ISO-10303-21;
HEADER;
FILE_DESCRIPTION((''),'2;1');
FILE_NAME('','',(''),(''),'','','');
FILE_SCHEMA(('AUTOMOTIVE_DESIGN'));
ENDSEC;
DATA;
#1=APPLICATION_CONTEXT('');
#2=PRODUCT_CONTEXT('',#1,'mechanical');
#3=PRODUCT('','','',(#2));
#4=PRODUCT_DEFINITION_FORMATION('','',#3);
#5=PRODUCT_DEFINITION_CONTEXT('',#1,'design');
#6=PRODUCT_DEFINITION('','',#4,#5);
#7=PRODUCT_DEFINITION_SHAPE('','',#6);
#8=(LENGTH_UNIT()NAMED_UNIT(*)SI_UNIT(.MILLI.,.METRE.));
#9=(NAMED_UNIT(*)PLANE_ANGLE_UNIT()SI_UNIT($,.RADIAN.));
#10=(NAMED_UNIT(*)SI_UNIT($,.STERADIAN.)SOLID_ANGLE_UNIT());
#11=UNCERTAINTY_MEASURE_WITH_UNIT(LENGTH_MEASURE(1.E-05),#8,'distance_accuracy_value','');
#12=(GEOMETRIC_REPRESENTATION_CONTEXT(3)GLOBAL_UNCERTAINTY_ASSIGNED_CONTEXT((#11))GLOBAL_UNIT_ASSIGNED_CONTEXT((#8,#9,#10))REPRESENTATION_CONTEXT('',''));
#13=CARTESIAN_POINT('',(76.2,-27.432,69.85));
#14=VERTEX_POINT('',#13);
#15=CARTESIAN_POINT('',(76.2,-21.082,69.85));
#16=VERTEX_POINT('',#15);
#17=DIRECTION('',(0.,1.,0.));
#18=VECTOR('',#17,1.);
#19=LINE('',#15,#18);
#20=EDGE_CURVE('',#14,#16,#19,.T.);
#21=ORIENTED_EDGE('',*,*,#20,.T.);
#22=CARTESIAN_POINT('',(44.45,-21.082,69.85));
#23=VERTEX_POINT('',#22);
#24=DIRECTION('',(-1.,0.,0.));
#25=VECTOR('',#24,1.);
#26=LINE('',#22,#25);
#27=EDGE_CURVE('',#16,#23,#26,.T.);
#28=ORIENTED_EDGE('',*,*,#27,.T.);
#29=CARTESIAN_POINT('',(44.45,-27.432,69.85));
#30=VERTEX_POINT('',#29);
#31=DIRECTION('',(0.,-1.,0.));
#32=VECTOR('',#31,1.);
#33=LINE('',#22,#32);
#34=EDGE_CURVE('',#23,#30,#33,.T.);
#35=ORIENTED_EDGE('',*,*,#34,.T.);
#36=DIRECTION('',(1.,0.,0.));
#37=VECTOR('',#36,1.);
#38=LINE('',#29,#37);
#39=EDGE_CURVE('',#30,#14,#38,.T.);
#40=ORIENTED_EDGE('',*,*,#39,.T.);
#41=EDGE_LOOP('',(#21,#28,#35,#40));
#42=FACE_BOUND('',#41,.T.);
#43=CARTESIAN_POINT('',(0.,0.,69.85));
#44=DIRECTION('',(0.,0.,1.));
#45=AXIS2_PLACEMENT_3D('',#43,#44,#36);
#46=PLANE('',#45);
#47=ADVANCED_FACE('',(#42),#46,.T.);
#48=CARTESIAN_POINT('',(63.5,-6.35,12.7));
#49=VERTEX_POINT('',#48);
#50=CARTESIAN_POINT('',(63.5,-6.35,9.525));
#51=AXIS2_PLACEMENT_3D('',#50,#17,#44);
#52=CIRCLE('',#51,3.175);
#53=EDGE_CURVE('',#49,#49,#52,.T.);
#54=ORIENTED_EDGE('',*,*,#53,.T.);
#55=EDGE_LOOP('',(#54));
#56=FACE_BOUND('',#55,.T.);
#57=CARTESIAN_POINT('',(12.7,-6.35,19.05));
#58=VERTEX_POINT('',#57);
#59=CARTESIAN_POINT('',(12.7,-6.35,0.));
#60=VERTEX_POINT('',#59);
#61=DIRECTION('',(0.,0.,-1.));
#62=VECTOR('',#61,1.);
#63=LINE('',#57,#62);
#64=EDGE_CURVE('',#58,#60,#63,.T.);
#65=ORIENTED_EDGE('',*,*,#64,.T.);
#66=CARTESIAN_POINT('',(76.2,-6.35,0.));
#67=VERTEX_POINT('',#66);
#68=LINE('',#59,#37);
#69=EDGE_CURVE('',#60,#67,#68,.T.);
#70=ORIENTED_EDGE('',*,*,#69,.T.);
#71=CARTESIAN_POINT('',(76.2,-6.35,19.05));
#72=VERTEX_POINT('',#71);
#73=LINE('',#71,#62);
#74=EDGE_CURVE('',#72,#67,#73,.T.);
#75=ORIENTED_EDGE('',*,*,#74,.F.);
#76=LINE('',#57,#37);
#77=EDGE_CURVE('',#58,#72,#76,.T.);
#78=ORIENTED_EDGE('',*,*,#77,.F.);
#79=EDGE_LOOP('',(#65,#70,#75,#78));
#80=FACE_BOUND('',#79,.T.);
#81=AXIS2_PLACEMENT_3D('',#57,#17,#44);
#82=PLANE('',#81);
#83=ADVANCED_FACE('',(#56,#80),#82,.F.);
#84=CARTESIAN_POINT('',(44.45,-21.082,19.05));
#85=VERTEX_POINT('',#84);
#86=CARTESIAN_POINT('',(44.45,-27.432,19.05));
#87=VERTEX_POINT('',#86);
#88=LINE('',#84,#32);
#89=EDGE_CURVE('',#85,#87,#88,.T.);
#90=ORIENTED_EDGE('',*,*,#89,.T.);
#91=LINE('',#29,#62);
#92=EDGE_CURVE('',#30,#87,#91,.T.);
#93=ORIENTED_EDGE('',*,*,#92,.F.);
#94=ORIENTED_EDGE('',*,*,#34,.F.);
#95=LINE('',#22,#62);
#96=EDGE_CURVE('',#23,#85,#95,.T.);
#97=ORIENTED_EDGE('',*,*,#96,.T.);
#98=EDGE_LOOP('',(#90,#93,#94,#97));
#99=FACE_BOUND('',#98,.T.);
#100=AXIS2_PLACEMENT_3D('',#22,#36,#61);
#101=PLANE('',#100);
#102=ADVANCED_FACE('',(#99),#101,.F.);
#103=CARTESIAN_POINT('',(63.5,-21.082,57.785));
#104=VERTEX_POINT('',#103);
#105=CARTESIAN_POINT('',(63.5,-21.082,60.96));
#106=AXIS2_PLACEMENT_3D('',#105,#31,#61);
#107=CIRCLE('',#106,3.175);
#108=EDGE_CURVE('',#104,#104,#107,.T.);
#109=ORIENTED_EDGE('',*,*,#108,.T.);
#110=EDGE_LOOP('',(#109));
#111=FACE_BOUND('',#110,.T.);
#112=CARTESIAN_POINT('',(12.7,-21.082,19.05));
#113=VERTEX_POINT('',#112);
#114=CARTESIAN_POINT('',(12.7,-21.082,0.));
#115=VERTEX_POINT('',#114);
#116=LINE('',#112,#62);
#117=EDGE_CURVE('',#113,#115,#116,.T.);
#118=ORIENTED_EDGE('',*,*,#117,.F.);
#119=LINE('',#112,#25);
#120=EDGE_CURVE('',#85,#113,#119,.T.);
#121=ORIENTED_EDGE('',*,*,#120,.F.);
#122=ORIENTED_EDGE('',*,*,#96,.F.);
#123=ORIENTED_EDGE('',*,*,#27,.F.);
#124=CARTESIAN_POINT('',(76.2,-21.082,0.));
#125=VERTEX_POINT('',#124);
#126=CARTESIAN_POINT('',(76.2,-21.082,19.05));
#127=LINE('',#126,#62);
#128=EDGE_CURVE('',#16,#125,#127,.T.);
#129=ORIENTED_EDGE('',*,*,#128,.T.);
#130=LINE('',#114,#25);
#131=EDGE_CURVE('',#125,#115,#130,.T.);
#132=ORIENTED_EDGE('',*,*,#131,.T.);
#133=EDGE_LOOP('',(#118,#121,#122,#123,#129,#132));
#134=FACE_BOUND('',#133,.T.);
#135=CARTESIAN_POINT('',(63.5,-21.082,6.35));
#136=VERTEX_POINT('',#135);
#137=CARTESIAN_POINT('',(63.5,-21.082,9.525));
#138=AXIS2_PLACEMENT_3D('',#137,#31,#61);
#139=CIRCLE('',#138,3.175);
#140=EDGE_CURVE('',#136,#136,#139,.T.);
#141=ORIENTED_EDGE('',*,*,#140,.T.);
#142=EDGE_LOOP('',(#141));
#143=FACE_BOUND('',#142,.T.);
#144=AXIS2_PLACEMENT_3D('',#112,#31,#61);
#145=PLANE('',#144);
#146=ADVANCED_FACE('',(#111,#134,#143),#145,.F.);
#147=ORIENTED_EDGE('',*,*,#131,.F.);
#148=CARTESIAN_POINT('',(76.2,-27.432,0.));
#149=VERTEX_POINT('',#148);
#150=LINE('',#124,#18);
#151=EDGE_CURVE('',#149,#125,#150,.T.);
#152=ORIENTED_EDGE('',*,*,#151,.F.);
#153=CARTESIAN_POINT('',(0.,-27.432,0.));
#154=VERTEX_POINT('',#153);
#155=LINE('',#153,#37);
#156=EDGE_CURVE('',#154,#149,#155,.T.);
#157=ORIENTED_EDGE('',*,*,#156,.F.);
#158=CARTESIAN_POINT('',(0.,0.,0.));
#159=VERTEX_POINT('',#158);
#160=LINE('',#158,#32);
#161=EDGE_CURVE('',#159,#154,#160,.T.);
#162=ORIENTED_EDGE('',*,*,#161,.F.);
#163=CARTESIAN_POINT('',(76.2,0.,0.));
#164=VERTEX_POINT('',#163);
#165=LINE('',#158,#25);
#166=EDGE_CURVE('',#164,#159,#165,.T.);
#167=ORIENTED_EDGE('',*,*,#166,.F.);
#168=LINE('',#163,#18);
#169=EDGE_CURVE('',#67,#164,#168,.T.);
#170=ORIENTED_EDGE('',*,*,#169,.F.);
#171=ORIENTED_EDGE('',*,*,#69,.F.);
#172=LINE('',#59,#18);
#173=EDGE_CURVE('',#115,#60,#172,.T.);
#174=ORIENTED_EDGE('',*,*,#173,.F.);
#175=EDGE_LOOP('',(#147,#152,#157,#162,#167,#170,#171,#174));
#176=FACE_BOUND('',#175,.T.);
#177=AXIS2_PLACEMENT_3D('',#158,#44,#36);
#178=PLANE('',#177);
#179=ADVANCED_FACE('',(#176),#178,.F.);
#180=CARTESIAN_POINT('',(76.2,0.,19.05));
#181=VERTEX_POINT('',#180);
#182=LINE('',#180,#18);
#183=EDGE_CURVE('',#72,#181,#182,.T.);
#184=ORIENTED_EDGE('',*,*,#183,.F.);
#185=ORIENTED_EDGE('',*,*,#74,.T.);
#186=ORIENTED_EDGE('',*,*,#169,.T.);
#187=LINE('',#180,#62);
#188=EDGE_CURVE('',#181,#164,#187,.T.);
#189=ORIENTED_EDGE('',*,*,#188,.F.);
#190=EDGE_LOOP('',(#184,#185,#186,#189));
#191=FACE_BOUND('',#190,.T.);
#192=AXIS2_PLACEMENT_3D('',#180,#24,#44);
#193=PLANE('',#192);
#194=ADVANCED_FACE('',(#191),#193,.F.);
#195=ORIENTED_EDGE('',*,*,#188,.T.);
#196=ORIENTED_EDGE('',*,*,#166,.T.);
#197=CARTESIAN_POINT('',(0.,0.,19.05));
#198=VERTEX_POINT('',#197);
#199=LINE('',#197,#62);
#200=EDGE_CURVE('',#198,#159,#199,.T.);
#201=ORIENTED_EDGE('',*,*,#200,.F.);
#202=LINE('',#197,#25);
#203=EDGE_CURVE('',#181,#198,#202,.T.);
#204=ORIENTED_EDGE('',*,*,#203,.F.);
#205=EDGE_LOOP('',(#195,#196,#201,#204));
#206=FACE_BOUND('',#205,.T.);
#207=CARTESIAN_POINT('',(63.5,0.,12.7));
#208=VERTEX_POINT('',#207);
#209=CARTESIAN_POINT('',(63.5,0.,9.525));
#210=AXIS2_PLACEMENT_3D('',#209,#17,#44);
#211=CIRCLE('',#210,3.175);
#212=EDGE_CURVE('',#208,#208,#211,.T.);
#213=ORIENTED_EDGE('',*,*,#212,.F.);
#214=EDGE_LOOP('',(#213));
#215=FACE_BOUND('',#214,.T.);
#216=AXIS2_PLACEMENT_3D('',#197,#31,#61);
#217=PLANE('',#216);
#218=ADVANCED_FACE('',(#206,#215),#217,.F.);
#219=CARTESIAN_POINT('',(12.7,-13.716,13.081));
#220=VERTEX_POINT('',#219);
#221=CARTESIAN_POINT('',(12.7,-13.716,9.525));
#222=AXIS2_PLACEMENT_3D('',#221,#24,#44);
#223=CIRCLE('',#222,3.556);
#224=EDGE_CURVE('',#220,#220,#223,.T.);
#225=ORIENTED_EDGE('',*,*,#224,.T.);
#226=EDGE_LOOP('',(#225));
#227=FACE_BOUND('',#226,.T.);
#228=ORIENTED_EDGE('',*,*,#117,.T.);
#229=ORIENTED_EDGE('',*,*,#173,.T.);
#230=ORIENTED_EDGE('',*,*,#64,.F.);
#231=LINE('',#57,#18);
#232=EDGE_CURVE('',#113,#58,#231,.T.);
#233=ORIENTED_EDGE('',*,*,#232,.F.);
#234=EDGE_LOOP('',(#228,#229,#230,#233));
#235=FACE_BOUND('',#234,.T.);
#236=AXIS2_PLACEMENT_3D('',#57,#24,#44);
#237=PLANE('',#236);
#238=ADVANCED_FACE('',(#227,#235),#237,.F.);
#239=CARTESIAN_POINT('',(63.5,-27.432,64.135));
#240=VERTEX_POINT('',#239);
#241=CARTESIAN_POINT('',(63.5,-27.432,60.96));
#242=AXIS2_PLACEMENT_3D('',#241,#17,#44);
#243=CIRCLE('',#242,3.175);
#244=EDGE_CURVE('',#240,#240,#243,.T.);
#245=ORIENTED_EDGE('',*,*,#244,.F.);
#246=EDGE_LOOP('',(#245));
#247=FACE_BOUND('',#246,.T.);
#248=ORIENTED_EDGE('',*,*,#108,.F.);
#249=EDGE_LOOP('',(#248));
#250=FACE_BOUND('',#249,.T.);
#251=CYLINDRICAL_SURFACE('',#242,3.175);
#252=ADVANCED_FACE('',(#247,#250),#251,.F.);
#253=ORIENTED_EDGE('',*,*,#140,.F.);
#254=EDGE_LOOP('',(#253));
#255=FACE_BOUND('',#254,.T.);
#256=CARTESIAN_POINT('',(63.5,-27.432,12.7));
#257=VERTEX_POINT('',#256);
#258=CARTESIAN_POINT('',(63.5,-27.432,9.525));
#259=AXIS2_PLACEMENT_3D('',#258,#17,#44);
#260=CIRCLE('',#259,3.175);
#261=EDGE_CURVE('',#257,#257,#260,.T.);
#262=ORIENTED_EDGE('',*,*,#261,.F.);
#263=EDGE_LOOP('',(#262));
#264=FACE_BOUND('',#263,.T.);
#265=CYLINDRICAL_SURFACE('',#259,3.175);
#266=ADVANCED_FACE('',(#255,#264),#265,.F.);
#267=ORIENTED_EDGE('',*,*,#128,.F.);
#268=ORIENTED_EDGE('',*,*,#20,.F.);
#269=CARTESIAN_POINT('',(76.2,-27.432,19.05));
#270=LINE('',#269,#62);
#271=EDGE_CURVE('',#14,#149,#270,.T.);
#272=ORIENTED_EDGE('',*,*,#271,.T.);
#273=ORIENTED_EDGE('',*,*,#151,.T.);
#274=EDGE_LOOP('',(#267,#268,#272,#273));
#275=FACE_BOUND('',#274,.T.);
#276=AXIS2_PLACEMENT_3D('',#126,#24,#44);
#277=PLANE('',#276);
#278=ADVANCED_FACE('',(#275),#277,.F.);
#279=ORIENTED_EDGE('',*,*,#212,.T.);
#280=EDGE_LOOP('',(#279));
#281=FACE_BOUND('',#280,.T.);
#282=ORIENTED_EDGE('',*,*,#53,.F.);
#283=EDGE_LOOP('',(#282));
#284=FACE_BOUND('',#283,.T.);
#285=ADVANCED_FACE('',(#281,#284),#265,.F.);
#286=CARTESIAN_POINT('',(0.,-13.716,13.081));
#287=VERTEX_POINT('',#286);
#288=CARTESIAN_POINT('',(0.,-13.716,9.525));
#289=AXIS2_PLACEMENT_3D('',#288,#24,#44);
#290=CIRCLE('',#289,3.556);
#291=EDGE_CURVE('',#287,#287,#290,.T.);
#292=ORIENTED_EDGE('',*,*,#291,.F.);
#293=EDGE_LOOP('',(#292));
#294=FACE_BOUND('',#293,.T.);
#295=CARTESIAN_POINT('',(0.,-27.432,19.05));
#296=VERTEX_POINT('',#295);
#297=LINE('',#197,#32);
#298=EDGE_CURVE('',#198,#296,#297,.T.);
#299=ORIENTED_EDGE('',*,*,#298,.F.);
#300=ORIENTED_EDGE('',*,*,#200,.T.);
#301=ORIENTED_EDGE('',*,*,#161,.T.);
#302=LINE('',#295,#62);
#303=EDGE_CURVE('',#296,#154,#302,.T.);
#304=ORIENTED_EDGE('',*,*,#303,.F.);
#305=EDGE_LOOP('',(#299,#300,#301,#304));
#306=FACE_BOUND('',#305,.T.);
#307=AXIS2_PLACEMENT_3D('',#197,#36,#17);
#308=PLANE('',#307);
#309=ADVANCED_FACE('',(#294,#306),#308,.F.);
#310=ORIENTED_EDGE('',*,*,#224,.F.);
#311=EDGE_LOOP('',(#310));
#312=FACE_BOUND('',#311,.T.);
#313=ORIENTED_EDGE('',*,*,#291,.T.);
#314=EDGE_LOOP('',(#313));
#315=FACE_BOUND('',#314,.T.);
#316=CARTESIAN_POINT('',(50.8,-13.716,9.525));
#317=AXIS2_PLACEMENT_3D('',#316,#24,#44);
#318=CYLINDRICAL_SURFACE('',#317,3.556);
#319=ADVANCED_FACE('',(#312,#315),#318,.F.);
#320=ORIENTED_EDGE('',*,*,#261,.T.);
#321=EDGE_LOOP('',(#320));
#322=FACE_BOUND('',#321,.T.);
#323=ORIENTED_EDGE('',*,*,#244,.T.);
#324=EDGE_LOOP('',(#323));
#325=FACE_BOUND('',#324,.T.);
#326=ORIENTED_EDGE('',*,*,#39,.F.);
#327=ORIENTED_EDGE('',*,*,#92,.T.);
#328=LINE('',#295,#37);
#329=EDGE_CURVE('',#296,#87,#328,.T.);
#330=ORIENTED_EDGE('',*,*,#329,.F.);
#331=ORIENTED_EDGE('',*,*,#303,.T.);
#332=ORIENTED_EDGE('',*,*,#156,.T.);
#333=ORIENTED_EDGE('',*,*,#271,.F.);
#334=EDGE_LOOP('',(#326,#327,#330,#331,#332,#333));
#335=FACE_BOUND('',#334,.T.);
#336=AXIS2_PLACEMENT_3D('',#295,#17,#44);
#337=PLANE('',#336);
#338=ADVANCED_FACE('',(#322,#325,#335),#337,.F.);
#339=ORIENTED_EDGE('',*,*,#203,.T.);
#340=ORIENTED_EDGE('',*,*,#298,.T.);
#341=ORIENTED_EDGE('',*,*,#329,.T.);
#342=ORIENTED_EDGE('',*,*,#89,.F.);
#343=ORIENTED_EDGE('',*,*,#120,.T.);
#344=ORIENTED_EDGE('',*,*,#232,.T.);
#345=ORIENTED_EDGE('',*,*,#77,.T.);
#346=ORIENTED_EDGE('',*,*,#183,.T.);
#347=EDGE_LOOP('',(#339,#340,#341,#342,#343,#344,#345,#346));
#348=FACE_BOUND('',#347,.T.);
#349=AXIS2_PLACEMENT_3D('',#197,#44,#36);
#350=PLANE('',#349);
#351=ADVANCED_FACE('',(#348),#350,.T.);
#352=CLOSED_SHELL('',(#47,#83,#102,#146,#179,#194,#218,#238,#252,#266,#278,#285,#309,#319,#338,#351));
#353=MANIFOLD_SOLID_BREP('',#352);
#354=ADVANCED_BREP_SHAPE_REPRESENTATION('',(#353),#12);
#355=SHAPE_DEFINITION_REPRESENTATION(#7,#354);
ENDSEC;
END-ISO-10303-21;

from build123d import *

# Parameters (mm, degrees)
BOSS_EXTRUDE1_DEPTH     = 19.05
SKETCH2_W               = 31.75
SKETCH2_H               = 6.35
BOSS_EXTRUDE2_DEPTH     = 50.8
CUT_EXTRUDE1_DEPTH      = 106.498403893
CUT_EXTRUDE1_DEPTH_BACK = 106.498403893
SKETCH3_R               = 3.175
SKETCH4_R               = 3.556
CUT_EXTRUDE2_DEPTH      = 50.8


with BuildPart() as part:
    # Sketch1 → Boss-Extrude1 (new body)
    with BuildSketch(Plane.XY):
        Polygon((0, 0), (76.2, 0), (76.2, -6.35), (12.7, -6.35), (12.7, -21.082), (76.2, -21.082), (76.2, -27.432), (0, -27.432), align=None)
    extrude(amount=BOSS_EXTRUDE1_DEPTH)

    # Sketch2 → Boss-Extrude2 (add)
    with BuildSketch(Plane.XY.offset(19.05)):
        with Locations((60.325, -24.257)):
            Rectangle(SKETCH2_W, SKETCH2_H)
    extrude(amount=BOSS_EXTRUDE2_DEPTH)

    # Sketch3 → Cut-Extrude1 (cut, two sides: drawn at the far end of the back side and taken through both)
    with BuildSketch(Plane(origin=(0, -21.082, 0), x_dir=(1, 0, 0), z_dir=(0, 1, 0)).offset(-CUT_EXTRUDE1_DEPTH_BACK)):
        with Locations(Location((63.5, -60.96, 0), (0, 0, 270))):
            Circle(SKETCH3_R)
        with Locations(Location((63.5, -9.525, 0), (0, 0, 270))):
            Circle(SKETCH3_R)
    extrude(amount=CUT_EXTRUDE1_DEPTH + CUT_EXTRUDE1_DEPTH_BACK, mode=Mode.SUBTRACT)

    # Sketch4 → Cut-Extrude2 (cut)
    with BuildSketch(Plane.ZY):
        with Locations((9.525, -13.716)):
            Circle(SKETCH4_R)
    extrude(amount=-CUT_EXTRUDE2_DEPTH, mode=Mode.SUBTRACT)


solid = part.part
